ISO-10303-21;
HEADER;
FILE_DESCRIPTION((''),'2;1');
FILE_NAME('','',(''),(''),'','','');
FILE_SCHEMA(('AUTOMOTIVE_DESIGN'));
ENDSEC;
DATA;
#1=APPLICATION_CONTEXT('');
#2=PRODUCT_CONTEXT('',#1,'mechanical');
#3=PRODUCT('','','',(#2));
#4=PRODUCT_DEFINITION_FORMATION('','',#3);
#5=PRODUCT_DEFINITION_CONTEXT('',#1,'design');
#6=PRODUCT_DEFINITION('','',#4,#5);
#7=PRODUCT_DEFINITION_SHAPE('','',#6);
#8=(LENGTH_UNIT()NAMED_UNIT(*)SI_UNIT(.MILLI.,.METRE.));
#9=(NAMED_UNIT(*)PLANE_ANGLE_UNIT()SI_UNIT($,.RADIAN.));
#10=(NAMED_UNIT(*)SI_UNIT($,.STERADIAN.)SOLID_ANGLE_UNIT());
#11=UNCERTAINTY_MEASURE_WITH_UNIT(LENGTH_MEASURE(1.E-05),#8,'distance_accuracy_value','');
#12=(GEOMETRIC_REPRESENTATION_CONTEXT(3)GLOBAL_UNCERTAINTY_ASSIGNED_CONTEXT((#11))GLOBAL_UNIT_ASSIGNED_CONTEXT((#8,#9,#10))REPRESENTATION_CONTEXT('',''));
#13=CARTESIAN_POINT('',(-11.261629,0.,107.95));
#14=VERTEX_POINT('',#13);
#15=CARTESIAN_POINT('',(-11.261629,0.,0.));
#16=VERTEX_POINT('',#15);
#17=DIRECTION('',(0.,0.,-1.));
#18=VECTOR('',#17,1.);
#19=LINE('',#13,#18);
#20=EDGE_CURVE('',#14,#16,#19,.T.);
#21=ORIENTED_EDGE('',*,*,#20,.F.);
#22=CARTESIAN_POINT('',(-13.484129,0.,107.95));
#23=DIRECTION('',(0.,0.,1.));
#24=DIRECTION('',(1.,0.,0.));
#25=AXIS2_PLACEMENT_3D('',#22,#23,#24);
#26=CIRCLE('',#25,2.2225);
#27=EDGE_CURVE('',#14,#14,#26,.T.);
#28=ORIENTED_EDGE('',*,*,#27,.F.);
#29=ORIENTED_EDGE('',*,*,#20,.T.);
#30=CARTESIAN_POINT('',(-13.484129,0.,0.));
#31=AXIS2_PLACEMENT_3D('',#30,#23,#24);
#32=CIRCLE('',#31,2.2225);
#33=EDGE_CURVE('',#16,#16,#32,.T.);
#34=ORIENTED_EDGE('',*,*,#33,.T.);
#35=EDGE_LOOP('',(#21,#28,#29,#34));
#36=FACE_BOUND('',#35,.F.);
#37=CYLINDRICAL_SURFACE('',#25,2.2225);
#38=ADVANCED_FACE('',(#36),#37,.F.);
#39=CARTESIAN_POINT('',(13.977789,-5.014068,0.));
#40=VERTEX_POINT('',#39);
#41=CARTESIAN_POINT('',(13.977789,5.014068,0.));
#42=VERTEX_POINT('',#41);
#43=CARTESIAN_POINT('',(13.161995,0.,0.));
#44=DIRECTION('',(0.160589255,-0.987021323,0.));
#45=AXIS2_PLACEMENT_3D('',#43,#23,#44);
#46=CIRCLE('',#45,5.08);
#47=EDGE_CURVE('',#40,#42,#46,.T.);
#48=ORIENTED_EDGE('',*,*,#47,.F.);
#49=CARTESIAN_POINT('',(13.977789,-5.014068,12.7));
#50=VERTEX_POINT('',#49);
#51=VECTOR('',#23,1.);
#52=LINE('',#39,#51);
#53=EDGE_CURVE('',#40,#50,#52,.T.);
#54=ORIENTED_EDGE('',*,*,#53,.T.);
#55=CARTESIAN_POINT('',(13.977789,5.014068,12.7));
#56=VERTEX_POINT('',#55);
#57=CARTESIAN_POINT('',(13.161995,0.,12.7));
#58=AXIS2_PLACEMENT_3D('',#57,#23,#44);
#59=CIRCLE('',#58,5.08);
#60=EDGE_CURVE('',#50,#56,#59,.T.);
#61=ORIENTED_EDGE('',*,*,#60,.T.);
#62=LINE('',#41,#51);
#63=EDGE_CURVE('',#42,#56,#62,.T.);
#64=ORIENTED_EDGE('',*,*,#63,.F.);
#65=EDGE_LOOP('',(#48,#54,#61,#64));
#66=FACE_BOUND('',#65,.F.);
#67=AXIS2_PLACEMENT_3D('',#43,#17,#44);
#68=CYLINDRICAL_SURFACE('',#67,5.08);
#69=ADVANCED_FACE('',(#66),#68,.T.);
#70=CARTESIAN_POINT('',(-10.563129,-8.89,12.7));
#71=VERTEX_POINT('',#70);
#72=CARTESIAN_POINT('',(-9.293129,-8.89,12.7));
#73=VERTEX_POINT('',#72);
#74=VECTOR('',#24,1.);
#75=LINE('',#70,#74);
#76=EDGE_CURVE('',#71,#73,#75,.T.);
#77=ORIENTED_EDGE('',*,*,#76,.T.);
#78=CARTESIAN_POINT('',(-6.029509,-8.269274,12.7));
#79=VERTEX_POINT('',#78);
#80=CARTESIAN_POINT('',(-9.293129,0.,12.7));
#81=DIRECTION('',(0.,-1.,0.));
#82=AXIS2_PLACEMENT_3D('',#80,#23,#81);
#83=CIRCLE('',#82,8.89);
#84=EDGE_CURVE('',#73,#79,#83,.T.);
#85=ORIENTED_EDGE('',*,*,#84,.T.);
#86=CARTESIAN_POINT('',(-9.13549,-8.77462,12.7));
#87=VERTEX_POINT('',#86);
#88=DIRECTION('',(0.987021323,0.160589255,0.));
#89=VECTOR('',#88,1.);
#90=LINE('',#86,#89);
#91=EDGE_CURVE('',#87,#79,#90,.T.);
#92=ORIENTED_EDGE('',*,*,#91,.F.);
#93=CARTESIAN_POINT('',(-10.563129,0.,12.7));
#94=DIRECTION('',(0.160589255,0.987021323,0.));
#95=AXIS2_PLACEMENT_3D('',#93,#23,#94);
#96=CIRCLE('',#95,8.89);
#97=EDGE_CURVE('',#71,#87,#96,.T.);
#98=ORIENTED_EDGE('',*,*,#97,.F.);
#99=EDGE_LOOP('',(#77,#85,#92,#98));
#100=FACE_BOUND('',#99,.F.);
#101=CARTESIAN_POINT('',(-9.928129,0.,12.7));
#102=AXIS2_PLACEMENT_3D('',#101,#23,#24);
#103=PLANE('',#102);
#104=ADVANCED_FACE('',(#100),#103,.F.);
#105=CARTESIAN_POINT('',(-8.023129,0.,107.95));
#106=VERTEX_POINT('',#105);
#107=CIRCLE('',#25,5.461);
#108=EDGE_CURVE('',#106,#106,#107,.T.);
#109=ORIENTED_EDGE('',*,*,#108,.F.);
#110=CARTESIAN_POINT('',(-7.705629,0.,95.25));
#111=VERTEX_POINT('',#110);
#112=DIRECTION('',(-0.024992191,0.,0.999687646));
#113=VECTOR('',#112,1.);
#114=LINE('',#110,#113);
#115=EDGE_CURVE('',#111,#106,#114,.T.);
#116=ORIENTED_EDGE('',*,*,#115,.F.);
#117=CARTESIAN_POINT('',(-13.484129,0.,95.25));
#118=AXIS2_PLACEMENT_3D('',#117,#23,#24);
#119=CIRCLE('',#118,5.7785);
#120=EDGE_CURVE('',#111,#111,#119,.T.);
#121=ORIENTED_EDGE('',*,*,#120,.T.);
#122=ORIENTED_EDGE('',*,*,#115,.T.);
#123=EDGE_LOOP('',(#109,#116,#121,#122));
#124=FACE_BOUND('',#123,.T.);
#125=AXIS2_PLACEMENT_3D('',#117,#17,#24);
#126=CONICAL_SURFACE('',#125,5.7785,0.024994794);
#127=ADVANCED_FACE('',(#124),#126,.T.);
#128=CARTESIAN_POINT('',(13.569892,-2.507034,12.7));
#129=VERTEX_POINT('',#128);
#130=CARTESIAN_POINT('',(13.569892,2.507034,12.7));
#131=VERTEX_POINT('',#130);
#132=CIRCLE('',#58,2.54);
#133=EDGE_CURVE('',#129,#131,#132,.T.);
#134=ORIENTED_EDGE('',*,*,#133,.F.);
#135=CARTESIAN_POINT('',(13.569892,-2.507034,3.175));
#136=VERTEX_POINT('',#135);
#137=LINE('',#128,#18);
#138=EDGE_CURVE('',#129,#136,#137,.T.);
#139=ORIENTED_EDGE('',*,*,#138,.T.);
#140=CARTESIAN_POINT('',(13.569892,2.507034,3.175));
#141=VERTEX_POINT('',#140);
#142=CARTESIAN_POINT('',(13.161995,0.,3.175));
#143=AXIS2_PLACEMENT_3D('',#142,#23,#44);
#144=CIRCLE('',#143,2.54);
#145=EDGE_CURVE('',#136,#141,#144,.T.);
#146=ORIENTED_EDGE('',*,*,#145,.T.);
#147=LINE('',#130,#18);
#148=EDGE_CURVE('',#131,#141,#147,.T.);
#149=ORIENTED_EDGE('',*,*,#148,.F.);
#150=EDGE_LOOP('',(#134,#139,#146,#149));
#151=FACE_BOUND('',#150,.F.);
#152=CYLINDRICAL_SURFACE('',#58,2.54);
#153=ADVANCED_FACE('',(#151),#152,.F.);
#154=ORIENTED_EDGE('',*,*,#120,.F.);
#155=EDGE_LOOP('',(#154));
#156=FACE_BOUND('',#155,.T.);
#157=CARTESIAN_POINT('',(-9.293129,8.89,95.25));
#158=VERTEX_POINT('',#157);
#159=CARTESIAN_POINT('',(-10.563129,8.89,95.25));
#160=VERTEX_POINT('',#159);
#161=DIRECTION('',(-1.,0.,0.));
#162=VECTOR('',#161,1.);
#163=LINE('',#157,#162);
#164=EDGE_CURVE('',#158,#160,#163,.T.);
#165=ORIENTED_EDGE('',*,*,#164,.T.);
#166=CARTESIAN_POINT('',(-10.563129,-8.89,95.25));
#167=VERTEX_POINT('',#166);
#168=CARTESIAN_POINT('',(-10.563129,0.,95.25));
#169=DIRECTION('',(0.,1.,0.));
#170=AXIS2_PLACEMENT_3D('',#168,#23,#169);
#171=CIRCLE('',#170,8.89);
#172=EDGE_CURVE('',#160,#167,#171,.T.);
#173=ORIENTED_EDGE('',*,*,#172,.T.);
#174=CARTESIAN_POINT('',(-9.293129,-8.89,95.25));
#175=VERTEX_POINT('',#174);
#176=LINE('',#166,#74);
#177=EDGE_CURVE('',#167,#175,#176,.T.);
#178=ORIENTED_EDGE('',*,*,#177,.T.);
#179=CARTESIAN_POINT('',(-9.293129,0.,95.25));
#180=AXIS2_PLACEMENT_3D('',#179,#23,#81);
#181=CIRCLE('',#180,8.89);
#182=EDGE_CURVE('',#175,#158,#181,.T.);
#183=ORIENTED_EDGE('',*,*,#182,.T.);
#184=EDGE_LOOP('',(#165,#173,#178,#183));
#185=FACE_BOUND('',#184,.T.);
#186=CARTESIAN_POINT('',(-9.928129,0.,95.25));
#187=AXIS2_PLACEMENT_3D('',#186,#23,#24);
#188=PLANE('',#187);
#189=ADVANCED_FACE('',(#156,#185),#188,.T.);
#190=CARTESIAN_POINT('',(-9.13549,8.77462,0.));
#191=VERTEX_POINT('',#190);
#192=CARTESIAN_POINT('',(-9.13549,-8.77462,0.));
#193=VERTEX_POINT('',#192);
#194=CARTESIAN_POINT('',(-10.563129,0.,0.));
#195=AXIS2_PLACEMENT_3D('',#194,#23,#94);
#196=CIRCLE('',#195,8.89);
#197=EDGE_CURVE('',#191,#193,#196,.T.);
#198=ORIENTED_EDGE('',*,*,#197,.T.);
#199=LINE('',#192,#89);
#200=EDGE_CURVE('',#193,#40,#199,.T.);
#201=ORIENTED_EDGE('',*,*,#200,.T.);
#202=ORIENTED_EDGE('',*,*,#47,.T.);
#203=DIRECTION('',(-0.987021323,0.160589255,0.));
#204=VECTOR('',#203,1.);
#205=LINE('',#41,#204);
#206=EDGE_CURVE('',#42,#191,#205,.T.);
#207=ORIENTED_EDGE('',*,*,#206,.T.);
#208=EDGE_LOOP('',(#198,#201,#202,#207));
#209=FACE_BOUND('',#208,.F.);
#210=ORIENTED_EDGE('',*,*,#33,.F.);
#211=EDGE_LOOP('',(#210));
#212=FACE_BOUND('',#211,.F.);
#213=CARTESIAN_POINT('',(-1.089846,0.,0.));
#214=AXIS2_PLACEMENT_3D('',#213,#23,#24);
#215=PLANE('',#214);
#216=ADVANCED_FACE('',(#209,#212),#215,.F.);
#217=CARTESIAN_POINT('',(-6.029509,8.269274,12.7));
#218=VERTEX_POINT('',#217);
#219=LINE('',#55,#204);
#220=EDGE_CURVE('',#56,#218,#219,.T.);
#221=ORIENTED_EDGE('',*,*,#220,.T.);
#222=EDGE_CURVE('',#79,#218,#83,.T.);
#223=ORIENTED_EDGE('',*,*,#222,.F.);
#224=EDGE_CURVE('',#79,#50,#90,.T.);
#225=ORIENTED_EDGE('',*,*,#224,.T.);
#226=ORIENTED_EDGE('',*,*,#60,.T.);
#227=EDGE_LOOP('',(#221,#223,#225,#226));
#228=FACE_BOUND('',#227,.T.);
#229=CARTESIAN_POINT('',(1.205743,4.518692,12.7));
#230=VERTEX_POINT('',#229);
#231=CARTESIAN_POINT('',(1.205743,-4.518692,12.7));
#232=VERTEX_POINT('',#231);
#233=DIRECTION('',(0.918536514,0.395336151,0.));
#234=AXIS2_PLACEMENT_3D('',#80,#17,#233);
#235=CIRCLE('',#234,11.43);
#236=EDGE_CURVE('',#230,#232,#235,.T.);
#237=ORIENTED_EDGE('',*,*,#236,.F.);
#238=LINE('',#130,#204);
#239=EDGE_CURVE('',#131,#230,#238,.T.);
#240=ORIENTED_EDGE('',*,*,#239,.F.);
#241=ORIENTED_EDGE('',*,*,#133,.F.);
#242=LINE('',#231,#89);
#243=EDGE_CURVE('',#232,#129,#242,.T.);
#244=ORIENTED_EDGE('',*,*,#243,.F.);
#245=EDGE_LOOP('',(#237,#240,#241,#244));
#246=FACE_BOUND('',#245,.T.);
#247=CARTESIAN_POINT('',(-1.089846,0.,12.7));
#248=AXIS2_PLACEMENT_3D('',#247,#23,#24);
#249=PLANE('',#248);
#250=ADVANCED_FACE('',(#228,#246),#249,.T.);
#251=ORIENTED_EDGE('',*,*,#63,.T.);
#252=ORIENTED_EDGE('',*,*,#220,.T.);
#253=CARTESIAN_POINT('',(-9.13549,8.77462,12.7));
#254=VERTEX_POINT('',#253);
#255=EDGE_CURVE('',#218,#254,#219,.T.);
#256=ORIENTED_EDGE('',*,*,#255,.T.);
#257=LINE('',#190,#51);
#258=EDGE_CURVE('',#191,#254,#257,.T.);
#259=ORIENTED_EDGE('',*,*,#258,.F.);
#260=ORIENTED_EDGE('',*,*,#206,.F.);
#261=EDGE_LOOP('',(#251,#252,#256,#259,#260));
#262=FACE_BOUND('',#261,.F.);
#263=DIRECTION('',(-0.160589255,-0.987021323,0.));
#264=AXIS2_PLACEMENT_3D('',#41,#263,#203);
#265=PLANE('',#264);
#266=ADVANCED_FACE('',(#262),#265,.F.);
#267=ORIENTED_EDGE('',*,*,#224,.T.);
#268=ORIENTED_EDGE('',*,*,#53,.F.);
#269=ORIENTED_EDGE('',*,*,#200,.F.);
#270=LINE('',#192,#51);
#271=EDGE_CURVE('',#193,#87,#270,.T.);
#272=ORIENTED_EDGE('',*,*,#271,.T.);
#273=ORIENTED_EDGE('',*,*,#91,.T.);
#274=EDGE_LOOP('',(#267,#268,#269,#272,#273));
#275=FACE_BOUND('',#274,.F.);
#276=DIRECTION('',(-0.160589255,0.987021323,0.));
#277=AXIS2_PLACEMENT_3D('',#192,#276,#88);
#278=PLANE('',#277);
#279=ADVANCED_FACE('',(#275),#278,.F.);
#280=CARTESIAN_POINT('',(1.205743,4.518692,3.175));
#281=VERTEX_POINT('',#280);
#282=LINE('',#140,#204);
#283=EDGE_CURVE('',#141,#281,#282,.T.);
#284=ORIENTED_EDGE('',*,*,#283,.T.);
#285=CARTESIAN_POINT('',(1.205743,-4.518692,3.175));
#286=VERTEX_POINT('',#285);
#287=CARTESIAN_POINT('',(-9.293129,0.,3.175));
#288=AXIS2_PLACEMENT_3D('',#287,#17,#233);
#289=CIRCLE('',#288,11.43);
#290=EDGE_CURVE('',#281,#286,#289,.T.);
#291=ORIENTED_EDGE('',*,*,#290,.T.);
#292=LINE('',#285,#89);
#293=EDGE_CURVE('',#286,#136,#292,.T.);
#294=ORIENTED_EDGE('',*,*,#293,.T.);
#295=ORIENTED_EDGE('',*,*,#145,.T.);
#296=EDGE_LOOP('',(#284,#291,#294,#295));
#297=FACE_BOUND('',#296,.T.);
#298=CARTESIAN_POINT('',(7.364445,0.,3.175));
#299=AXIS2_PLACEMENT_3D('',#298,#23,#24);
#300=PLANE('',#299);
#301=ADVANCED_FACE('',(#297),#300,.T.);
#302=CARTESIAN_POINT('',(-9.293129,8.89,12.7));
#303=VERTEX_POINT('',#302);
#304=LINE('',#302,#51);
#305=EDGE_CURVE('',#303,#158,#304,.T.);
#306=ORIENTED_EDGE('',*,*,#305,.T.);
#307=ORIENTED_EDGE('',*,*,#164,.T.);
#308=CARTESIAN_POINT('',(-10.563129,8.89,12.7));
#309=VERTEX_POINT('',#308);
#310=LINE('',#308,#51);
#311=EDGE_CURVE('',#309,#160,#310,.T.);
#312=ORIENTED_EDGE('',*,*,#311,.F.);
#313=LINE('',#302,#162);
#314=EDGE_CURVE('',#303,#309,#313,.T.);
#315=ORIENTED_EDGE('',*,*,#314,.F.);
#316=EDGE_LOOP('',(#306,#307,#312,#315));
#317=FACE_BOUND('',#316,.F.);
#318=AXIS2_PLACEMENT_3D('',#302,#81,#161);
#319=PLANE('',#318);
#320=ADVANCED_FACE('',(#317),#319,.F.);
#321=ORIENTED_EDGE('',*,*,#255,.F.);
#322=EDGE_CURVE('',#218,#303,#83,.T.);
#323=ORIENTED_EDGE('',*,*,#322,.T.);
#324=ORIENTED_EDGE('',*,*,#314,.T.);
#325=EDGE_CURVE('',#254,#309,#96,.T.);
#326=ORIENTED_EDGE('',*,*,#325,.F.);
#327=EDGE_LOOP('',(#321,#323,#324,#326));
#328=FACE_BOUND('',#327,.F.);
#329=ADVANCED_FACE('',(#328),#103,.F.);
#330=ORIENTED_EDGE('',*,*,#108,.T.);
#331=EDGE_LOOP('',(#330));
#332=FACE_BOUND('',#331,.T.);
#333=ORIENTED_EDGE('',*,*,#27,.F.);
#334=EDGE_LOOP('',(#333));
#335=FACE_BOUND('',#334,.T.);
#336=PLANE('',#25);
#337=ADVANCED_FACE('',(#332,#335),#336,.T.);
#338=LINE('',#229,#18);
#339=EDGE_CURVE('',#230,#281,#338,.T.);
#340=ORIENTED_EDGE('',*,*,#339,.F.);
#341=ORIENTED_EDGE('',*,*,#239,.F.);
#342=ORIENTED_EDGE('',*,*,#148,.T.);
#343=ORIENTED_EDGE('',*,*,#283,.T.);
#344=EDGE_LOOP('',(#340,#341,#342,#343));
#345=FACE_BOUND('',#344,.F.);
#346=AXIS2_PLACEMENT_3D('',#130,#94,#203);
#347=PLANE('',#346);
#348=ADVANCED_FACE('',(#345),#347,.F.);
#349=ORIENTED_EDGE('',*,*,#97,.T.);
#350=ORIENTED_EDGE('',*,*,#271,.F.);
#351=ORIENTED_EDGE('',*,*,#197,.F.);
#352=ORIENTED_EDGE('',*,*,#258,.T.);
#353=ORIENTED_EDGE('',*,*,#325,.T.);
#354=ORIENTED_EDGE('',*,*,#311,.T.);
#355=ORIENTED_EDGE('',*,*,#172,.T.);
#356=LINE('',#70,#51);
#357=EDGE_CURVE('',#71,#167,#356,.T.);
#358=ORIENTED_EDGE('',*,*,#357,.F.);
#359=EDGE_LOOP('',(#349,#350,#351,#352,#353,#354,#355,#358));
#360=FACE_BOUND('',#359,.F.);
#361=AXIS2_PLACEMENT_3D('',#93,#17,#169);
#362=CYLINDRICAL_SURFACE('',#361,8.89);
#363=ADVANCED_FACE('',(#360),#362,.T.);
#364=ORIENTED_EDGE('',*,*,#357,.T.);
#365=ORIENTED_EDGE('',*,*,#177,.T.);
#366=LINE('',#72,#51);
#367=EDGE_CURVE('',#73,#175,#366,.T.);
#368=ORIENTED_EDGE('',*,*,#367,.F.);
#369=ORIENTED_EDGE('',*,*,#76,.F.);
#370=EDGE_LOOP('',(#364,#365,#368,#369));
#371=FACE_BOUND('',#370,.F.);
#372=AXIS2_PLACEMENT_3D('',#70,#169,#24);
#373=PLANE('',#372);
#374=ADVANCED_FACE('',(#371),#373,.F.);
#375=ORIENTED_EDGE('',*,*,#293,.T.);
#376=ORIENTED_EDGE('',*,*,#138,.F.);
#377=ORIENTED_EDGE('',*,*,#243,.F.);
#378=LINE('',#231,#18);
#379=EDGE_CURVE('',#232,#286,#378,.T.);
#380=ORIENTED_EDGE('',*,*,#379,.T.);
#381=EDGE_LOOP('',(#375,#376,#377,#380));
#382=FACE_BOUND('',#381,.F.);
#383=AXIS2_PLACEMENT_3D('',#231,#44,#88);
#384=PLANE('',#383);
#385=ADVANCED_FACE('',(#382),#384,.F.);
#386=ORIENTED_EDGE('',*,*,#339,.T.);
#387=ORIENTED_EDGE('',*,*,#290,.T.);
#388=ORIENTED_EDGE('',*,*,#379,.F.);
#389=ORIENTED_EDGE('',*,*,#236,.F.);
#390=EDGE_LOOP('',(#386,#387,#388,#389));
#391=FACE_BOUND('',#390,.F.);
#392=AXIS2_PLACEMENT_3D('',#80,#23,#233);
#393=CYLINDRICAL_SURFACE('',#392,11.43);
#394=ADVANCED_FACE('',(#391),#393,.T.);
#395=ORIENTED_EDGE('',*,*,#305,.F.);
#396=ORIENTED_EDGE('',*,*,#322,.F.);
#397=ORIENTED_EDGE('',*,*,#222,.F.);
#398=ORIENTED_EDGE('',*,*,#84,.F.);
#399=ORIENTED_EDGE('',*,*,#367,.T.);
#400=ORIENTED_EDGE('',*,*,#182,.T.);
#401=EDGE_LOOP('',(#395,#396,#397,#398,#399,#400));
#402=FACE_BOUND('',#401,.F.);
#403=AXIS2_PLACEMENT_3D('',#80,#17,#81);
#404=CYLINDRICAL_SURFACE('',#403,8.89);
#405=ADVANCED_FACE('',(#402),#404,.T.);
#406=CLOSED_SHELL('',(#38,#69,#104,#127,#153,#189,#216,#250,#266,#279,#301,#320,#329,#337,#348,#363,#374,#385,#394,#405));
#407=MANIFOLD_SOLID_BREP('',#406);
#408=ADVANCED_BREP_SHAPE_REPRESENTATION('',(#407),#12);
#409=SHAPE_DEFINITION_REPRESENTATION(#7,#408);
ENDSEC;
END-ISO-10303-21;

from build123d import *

# Parameters (mm, degrees)
F1_DEPTH  = 12.7
F3_DEPTH  = 82.55
F7_R      = 2.2225
F8_DEPTH  = 107.951
F10_DEPTH = 9.525


with BuildPart() as f1:
    # F0 (on Top) → F1 (new body)
    with BuildSketch(Plane.XY):
        with BuildLine():
            Line((13.9777885884, 5.014068319), (-9.1354904962, 8.7746195582))
            ThreePointArc((-9.1354904962, 8.7746195582), (-19.453128969, 0), (-9.1354904962, -8.7746195582))
            Line((-9.1354904962, -8.7746195582), (13.9777885884, -5.014068319))
            ThreePointArc((13.9777885884, -5.014068319), (18.2419951753, 0), (13.9777885884, 5.014068319))
        make_face()
    extrude(amount=F1_DEPTH)

    # F2 (on face) → F3 (join)
    with BuildSketch(Plane.XY.offset(12.7)):
        with BuildLine():
            Line((-9.293128969, 8.89), (-10.563128969, 8.89))
            ThreePointArc((-10.563128969, 8.89), (-19.453128969, 0), (-10.563128969, -8.89))
            Line((-10.563128969, -8.89), (-9.293128969, -8.89))
            ThreePointArc((-9.293128969, -8.89), (-0.403128969, 0), (-9.293128969, 8.89))
        make_face()
    extrude(amount=F3_DEPTH)

    # F5 (on Front) → F6 (revolve)
    with BuildSketch(Plane.XZ):
        Polygon((-13.484128969, 95.25), (-7.705628969, 95.25), (-8.023128969, 107.95), (-13.484128969, 107.95), align=None)
    revolve(axis=Axis((-13.484128969, 0, 63.5), (0, 0, 1)))

    # F7 (on face) → F8 (cut, through all)
    with BuildSketch(Plane.XY.offset(107.95)):
        with Locations((-13.484128969, 0)):
            Circle(F7_R)
    extrude(amount=-F8_DEPTH, mode=Mode.SUBTRACT)

    # F9 (on face) → F10 (cut)
    with BuildSketch(Plane.XY.offset(12.7)):
        with BuildLine():
            Line((13.5698918818, 2.5070341595), (1.2057433852, 4.5186922103))
            ThreePointArc((1.2057433852, 4.5186922103), (2.136871031, 0), (1.2057433852, -4.5186922103))
            Line((1.2057433852, -4.5186922103), (13.5698918818, -2.5070341595))
            ThreePointArc((13.5698918818, -2.5070341595), (15.7019951753, 0), (13.5698918818, 2.5070341595))
        make_face()
    extrude(amount=-F10_DEPTH, mode=Mode.SUBTRACT)


solid = f1.part
